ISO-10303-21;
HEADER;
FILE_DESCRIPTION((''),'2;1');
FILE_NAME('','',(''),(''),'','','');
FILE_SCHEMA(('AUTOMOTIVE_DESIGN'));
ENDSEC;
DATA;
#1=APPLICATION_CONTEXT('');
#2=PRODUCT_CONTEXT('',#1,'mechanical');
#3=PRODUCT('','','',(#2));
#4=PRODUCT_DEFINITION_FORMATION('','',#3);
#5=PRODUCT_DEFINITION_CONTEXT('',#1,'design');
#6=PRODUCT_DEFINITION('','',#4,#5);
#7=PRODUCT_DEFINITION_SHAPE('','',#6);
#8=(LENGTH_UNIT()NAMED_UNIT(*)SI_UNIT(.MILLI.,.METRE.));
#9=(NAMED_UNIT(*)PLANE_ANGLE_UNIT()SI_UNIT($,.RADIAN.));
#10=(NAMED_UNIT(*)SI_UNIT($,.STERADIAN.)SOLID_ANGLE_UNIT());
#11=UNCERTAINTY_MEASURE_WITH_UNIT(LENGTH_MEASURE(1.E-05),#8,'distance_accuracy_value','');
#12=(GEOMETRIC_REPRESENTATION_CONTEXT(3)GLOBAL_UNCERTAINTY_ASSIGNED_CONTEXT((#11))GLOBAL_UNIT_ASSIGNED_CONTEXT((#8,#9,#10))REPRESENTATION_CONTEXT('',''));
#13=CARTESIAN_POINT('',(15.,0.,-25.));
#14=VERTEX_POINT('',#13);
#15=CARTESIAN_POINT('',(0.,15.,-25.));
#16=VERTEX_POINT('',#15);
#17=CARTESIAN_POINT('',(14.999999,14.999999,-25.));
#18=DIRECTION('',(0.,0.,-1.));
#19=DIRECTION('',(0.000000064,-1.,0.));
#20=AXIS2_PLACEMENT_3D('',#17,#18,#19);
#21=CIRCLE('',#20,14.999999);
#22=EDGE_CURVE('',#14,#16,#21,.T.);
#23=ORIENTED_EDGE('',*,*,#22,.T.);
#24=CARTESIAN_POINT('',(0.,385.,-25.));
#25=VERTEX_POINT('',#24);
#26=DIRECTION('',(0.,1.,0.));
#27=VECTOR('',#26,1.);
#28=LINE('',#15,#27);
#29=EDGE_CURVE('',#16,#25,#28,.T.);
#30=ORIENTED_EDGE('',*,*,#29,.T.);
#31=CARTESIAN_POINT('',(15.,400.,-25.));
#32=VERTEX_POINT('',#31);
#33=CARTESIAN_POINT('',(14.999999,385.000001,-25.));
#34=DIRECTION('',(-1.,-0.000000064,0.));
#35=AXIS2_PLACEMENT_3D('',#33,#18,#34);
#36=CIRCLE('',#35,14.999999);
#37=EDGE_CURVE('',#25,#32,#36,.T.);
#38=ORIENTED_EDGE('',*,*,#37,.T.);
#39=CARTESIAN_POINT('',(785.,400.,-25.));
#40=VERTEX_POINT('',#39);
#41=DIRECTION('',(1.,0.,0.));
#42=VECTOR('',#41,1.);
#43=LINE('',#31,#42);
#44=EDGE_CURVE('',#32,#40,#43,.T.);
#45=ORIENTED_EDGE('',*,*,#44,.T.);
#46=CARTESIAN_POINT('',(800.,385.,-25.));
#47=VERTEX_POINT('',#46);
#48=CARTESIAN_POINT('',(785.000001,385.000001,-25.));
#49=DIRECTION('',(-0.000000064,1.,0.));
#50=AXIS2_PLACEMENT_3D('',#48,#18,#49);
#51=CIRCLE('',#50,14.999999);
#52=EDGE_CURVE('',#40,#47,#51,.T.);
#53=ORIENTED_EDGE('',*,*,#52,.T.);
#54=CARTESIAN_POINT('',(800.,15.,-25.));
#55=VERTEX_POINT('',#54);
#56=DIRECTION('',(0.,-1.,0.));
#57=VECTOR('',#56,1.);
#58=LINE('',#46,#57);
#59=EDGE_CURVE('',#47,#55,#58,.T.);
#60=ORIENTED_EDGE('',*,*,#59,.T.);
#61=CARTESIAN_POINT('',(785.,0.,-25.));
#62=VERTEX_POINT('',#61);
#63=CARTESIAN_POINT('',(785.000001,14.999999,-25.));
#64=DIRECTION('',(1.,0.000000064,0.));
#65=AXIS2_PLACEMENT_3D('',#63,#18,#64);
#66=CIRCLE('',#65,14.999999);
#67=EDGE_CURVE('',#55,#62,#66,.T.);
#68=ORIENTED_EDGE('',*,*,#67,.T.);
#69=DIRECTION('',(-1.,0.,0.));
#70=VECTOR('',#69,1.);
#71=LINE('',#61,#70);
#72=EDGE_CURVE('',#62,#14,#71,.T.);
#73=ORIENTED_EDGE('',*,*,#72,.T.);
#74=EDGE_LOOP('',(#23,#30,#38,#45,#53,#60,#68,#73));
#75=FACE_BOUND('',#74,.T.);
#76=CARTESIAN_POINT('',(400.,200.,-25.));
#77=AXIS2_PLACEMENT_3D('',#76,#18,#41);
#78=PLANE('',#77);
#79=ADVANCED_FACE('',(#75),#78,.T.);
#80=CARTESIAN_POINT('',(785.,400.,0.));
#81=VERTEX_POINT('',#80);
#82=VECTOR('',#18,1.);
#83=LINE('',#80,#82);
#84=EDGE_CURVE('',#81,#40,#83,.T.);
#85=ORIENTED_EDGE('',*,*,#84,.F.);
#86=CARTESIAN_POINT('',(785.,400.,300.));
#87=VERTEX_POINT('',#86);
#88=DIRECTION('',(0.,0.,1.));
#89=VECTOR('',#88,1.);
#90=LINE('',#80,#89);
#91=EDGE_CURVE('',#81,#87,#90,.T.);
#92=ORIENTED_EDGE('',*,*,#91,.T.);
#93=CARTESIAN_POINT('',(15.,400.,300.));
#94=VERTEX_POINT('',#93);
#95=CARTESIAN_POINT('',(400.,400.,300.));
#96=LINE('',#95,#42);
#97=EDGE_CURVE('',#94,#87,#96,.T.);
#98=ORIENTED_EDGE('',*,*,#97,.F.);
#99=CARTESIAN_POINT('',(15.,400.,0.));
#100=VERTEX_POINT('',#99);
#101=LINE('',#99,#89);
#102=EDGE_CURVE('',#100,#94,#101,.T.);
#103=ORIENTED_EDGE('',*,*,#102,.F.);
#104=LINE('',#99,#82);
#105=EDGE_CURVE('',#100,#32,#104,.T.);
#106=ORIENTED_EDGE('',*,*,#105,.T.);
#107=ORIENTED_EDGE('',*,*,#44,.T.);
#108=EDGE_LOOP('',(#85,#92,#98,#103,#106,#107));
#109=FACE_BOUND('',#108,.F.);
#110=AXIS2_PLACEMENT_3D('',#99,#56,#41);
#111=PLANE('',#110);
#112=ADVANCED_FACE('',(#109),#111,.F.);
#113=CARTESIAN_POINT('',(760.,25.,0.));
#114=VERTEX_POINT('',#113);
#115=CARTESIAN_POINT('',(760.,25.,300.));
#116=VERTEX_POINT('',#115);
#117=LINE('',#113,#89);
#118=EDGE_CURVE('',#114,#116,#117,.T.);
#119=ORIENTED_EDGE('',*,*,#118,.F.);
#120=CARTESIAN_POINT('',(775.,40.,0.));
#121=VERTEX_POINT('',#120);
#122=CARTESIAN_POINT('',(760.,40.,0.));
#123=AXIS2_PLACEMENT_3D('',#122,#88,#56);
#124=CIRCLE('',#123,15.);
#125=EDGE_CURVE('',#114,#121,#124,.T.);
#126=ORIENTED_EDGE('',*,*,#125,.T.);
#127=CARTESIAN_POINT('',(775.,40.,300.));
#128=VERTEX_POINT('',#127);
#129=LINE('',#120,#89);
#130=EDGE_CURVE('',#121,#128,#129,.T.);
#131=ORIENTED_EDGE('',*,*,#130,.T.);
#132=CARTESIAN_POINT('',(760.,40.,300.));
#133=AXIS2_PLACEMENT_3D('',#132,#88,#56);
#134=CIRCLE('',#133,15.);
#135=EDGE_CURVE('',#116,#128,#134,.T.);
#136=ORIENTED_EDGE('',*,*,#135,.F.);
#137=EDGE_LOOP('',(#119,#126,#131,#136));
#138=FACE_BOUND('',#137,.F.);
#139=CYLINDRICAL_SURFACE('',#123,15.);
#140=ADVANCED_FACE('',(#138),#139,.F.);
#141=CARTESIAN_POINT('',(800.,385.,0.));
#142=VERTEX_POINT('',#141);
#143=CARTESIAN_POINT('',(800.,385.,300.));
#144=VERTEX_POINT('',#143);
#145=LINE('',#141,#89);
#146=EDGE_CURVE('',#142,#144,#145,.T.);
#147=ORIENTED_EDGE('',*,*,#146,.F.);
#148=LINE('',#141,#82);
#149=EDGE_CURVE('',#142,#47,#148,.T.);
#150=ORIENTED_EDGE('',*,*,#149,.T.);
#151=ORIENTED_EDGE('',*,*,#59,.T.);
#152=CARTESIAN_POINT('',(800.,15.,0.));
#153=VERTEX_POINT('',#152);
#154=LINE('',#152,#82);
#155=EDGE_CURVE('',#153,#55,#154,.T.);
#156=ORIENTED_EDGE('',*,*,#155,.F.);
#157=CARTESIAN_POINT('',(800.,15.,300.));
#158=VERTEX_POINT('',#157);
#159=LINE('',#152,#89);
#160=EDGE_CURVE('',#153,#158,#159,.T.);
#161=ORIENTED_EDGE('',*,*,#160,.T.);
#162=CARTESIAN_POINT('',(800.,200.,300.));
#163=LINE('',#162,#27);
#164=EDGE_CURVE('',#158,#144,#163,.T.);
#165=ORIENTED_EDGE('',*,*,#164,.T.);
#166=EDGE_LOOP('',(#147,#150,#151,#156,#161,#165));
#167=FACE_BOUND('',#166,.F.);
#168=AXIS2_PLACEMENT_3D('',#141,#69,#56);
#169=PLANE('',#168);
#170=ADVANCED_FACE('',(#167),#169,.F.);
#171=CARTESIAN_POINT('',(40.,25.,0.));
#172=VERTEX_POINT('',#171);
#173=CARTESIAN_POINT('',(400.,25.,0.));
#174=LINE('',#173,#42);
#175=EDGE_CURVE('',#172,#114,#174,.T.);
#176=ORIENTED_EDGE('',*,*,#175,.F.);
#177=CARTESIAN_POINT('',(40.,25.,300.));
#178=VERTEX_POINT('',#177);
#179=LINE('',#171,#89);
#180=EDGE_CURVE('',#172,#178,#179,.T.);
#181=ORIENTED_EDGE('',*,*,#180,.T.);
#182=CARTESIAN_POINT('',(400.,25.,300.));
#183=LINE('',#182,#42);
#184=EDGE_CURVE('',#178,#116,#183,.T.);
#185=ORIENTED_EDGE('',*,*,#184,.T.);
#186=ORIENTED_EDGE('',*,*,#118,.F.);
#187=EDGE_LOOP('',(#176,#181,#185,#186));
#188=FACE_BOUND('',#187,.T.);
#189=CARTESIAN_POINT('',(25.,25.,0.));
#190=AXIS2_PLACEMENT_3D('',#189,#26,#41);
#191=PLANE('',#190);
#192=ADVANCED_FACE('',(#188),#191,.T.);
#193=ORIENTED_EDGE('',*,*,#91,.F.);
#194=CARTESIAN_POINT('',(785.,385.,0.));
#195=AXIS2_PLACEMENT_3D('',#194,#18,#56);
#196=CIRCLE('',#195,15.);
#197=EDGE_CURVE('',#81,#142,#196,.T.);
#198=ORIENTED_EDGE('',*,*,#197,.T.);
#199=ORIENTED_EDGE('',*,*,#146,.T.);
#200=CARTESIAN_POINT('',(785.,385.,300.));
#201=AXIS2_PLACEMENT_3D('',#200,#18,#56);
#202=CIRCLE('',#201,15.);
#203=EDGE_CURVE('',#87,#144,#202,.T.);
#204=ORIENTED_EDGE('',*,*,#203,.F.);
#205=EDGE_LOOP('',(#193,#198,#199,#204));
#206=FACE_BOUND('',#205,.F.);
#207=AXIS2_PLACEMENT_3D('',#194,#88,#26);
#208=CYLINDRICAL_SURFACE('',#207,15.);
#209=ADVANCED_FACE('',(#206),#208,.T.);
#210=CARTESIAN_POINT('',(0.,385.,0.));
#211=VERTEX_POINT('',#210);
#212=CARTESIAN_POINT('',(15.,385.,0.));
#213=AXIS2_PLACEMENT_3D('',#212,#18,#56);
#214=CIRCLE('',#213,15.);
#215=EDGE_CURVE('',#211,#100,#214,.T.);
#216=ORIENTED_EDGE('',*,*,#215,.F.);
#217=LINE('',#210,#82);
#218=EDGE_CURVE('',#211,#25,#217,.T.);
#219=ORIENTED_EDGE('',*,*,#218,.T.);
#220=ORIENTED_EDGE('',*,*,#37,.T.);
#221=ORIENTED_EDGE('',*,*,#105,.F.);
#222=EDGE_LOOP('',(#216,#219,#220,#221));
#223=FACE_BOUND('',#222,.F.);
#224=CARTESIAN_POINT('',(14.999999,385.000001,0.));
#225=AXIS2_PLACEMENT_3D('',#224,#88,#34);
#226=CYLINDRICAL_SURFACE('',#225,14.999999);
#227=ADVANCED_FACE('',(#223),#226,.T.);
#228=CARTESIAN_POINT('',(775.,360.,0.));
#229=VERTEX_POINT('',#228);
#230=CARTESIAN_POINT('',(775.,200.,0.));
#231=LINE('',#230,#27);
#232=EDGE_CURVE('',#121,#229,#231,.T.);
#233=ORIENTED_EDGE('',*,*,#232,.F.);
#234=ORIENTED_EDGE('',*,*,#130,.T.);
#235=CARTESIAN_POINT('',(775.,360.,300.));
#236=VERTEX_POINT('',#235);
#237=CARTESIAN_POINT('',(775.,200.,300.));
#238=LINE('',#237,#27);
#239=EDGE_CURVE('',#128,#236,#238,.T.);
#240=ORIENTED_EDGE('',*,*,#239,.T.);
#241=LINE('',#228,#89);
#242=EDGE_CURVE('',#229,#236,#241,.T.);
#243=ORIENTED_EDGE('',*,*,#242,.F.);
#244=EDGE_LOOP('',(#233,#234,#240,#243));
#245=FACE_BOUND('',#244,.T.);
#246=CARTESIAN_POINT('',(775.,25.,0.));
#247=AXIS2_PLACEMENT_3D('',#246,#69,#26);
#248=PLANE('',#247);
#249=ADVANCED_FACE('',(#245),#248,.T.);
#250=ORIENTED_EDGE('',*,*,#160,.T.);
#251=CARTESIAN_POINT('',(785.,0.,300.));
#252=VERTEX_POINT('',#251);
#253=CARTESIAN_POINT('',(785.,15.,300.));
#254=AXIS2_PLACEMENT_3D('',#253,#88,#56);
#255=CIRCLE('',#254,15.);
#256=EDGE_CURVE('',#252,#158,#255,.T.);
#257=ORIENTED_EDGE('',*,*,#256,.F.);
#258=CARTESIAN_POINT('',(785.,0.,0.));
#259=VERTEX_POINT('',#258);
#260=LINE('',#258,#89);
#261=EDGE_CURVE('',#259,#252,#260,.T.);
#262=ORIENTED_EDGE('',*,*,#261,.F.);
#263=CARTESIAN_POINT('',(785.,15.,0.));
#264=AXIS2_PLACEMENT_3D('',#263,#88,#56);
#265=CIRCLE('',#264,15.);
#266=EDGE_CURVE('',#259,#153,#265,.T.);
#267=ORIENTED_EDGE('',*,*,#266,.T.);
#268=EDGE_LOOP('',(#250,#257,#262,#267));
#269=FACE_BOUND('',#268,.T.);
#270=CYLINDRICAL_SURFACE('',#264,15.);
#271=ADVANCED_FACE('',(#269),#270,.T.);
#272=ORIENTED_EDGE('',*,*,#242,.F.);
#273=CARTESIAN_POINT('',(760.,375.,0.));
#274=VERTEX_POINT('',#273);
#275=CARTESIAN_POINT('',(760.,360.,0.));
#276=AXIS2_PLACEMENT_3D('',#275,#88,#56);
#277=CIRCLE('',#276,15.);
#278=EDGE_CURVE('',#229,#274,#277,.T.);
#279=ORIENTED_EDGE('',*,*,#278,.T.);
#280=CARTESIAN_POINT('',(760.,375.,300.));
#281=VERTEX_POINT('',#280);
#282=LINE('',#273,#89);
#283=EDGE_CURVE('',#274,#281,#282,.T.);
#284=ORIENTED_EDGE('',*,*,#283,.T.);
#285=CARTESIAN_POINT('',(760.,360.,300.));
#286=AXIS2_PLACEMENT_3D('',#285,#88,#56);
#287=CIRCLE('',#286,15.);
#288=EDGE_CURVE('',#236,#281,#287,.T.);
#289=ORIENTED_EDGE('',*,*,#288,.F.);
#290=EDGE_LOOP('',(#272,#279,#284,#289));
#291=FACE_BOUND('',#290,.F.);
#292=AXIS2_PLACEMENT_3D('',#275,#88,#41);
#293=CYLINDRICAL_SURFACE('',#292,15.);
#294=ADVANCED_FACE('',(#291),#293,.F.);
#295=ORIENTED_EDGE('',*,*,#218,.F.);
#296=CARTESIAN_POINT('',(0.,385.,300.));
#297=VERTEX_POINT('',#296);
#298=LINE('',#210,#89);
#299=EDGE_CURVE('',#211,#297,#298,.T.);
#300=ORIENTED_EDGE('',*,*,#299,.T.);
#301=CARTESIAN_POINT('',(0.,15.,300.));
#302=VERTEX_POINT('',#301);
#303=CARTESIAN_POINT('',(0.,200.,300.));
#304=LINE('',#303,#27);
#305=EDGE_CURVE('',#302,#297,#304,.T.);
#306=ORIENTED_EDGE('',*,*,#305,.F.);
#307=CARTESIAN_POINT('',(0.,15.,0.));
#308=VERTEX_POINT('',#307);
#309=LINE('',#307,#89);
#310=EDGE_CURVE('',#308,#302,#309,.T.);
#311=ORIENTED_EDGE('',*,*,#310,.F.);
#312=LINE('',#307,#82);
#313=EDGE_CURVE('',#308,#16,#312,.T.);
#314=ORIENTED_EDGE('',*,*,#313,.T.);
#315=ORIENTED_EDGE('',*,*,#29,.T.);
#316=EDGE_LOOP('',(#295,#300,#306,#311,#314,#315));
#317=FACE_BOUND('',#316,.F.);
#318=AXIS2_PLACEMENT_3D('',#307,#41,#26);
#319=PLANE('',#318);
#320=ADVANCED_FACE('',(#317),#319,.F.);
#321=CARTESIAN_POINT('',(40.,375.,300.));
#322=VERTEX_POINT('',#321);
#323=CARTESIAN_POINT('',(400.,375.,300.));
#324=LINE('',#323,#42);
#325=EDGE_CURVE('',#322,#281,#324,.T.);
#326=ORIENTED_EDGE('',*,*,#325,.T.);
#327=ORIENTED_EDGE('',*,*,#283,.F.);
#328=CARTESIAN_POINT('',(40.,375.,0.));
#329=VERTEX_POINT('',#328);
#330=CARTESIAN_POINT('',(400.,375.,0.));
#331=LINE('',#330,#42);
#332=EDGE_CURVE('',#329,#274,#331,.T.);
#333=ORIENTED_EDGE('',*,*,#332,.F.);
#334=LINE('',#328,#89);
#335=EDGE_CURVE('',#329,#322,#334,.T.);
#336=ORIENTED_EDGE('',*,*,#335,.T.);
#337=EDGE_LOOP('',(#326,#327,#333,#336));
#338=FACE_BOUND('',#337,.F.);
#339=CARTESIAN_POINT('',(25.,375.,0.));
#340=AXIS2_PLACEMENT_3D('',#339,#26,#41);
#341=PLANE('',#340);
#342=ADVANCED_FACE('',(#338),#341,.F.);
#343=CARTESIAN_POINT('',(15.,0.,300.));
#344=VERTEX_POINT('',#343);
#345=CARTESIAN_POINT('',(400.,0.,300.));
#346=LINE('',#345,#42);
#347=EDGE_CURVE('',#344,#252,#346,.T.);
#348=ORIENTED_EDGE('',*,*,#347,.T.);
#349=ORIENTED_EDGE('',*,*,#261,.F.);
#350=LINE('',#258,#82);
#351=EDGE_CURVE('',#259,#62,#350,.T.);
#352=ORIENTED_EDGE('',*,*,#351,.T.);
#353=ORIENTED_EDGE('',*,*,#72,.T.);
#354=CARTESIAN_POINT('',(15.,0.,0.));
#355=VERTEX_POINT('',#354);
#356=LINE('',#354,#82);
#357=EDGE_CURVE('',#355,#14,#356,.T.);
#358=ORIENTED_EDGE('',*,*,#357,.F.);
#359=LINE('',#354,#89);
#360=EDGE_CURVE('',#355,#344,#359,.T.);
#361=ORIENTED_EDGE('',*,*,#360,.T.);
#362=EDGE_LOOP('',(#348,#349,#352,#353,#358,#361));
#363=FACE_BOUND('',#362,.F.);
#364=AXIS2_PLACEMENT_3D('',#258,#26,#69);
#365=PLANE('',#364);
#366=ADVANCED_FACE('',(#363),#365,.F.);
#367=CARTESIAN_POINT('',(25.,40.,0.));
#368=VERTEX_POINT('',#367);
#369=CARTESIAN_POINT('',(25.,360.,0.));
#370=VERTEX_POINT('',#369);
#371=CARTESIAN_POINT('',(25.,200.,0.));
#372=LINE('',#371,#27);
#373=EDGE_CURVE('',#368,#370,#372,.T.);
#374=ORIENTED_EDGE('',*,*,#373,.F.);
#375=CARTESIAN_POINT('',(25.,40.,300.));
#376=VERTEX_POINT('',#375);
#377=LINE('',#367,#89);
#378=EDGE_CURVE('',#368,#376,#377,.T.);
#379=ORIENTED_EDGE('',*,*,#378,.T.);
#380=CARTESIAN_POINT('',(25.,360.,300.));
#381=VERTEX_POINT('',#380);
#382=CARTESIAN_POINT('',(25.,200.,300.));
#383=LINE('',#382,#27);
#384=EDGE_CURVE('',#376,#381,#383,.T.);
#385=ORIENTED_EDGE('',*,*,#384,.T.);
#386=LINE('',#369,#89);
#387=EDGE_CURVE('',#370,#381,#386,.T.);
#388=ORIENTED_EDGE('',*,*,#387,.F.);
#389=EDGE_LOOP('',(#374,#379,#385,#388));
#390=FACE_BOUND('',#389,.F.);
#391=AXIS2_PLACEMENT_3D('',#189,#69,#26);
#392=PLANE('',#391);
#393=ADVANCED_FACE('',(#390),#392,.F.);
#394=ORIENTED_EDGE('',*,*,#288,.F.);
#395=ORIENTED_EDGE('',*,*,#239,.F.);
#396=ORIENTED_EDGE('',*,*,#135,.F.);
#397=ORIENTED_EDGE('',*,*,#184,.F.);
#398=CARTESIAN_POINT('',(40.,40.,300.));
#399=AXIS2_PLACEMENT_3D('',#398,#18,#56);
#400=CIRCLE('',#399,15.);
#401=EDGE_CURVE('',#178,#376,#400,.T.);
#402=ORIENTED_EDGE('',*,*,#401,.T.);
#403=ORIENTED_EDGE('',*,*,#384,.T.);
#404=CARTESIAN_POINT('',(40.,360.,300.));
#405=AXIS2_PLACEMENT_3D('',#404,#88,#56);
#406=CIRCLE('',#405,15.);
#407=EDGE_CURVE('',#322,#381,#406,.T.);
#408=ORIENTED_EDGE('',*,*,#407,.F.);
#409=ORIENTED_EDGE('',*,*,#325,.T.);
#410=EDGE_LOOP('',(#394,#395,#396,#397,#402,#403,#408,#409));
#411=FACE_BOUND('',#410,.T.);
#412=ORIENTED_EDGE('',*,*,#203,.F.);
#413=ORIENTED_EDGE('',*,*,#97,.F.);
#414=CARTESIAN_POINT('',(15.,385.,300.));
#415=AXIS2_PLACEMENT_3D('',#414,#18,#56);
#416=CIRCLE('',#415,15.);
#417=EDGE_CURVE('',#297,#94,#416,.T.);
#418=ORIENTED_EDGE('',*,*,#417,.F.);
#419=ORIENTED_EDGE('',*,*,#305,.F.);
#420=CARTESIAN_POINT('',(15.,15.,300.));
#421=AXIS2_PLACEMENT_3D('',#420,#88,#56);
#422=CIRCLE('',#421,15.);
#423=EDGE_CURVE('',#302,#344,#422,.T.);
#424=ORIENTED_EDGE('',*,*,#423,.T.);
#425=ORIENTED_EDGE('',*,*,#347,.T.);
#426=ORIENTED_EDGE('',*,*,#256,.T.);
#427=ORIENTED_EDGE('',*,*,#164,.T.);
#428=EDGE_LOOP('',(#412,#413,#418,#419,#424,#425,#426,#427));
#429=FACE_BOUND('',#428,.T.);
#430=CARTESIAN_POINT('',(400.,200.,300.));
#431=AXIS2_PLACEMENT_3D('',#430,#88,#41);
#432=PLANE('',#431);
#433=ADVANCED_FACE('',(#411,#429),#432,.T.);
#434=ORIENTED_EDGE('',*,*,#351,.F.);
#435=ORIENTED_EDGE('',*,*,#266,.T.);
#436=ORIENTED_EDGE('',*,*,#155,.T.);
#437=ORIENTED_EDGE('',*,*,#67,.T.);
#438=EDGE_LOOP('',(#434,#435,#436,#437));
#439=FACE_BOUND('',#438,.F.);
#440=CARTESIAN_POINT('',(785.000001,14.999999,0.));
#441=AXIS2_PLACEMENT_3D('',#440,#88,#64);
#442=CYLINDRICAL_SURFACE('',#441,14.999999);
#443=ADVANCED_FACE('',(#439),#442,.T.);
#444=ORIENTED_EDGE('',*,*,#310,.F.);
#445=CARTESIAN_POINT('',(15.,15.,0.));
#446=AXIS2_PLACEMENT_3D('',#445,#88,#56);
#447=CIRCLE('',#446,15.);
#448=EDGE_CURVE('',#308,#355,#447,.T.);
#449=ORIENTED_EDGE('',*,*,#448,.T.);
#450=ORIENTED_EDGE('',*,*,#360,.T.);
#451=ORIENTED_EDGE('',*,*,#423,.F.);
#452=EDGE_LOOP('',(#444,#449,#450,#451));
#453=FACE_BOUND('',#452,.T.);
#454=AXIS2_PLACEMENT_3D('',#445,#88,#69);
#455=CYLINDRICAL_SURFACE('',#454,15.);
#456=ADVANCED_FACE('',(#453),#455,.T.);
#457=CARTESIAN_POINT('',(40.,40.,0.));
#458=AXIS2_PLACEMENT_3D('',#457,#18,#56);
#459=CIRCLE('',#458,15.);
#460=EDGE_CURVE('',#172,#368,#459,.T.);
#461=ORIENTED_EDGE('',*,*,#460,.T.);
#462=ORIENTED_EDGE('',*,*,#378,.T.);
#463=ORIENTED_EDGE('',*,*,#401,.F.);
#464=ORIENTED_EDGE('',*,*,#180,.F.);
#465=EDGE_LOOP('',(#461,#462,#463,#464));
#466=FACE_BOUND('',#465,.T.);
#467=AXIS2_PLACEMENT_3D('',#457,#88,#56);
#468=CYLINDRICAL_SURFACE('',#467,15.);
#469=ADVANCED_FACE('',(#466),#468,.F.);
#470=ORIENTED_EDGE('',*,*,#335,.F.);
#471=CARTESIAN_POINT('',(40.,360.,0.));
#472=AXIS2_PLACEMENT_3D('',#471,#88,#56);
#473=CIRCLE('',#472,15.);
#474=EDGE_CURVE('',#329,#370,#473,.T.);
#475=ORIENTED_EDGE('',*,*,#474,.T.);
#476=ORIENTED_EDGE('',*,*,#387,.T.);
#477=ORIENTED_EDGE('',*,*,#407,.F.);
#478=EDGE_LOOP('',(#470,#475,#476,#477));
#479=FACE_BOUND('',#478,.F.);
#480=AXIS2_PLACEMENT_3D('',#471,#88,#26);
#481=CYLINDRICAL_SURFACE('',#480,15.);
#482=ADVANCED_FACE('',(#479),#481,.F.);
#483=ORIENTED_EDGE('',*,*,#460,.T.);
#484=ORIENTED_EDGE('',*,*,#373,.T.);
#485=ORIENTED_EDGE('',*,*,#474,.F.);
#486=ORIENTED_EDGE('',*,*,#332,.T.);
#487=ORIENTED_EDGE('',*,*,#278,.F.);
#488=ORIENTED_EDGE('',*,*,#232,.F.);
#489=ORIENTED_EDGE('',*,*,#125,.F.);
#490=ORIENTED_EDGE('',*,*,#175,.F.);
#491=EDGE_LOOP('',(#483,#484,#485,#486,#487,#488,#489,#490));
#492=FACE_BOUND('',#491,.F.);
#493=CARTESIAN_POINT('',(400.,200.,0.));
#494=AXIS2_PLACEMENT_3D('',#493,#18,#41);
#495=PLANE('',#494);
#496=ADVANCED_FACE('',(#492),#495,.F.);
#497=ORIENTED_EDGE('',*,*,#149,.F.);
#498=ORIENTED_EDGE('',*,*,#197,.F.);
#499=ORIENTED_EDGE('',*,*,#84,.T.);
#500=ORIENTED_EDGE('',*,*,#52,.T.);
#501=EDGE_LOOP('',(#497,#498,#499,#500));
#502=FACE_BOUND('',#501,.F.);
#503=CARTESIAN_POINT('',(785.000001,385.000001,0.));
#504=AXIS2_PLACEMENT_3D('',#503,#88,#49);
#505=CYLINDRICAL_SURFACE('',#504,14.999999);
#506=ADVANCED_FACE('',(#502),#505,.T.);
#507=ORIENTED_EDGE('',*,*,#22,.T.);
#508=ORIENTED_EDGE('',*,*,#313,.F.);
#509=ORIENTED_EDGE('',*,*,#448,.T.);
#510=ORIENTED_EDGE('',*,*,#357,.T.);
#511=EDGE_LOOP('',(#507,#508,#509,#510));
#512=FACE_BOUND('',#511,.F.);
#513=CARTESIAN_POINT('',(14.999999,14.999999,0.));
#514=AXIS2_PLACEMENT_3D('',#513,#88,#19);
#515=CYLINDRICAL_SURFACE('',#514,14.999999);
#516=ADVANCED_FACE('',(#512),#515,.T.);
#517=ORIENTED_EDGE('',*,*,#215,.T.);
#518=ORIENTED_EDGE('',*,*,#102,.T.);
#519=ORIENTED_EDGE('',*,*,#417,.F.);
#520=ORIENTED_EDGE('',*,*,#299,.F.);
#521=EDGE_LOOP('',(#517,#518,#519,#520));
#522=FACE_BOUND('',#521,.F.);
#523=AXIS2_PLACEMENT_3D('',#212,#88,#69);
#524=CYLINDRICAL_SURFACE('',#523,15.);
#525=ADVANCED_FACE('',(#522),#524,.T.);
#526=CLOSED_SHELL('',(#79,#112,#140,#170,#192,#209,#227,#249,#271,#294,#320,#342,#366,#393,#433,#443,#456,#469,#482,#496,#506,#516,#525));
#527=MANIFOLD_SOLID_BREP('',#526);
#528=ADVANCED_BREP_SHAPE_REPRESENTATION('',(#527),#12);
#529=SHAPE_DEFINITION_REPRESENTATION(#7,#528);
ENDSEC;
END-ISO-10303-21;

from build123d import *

# Parameters (mm, degrees)
F0_W     = 800
F0_H     = 400
F0_W_2   = 750
F0_H_2   = 350
F1_DEPTH = 300
F2_R     = 15
F4_DEPTH = 25


with BuildPart() as f1:
    # F0 (on Top) → F1 (new body)
    with BuildSketch(Plane.XY):
        with Locations((400, 200)):
            Rectangle(F0_W, F0_H)
        with Locations((400, 200)):
            Rectangle(F0_W_2, F0_H_2, mode=Mode.SUBTRACT)
    extrude(amount=F1_DEPTH)

    # F2
    f2_edges = [f1.edges().sort_by_distance(p)[0] for p in [
        (0, 0, 150),
        (800, 0, 150),
        (0, 400, 150),
        (800, 400, 150),
        (25, 25, 150),
        (25, 375, 150),
        (775, 25, 150),
        (775, 375, 150),
    ]]
    fillet(f2_edges, radius=F2_R)

    # F3 (on face) → F4 (join)
    with BuildSketch(Plane(origin=(0, 0, 0), x_dir=(1, 0, 0), z_dir=(0, 0, -1))):
        with BuildLine():
            ThreePointArc((800, -15), (795.606602, -4.393398), (785, 0))
            Line((785, 0), (15, 0))
            ThreePointArc((15, 0), (4.393398, -4.393398), (0, -15))
            Line((0, -15), (0, -385))
            ThreePointArc((0, -385), (4.393398, -395.606602), (15, -400))
            Line((15, -400), (785, -400))
            ThreePointArc((785, -400), (795.606602, -395.606602), (800, -385))
            Line((800, -385), (800, -15))
        make_face()
    extrude(amount=F4_DEPTH)


solid = f1.part
